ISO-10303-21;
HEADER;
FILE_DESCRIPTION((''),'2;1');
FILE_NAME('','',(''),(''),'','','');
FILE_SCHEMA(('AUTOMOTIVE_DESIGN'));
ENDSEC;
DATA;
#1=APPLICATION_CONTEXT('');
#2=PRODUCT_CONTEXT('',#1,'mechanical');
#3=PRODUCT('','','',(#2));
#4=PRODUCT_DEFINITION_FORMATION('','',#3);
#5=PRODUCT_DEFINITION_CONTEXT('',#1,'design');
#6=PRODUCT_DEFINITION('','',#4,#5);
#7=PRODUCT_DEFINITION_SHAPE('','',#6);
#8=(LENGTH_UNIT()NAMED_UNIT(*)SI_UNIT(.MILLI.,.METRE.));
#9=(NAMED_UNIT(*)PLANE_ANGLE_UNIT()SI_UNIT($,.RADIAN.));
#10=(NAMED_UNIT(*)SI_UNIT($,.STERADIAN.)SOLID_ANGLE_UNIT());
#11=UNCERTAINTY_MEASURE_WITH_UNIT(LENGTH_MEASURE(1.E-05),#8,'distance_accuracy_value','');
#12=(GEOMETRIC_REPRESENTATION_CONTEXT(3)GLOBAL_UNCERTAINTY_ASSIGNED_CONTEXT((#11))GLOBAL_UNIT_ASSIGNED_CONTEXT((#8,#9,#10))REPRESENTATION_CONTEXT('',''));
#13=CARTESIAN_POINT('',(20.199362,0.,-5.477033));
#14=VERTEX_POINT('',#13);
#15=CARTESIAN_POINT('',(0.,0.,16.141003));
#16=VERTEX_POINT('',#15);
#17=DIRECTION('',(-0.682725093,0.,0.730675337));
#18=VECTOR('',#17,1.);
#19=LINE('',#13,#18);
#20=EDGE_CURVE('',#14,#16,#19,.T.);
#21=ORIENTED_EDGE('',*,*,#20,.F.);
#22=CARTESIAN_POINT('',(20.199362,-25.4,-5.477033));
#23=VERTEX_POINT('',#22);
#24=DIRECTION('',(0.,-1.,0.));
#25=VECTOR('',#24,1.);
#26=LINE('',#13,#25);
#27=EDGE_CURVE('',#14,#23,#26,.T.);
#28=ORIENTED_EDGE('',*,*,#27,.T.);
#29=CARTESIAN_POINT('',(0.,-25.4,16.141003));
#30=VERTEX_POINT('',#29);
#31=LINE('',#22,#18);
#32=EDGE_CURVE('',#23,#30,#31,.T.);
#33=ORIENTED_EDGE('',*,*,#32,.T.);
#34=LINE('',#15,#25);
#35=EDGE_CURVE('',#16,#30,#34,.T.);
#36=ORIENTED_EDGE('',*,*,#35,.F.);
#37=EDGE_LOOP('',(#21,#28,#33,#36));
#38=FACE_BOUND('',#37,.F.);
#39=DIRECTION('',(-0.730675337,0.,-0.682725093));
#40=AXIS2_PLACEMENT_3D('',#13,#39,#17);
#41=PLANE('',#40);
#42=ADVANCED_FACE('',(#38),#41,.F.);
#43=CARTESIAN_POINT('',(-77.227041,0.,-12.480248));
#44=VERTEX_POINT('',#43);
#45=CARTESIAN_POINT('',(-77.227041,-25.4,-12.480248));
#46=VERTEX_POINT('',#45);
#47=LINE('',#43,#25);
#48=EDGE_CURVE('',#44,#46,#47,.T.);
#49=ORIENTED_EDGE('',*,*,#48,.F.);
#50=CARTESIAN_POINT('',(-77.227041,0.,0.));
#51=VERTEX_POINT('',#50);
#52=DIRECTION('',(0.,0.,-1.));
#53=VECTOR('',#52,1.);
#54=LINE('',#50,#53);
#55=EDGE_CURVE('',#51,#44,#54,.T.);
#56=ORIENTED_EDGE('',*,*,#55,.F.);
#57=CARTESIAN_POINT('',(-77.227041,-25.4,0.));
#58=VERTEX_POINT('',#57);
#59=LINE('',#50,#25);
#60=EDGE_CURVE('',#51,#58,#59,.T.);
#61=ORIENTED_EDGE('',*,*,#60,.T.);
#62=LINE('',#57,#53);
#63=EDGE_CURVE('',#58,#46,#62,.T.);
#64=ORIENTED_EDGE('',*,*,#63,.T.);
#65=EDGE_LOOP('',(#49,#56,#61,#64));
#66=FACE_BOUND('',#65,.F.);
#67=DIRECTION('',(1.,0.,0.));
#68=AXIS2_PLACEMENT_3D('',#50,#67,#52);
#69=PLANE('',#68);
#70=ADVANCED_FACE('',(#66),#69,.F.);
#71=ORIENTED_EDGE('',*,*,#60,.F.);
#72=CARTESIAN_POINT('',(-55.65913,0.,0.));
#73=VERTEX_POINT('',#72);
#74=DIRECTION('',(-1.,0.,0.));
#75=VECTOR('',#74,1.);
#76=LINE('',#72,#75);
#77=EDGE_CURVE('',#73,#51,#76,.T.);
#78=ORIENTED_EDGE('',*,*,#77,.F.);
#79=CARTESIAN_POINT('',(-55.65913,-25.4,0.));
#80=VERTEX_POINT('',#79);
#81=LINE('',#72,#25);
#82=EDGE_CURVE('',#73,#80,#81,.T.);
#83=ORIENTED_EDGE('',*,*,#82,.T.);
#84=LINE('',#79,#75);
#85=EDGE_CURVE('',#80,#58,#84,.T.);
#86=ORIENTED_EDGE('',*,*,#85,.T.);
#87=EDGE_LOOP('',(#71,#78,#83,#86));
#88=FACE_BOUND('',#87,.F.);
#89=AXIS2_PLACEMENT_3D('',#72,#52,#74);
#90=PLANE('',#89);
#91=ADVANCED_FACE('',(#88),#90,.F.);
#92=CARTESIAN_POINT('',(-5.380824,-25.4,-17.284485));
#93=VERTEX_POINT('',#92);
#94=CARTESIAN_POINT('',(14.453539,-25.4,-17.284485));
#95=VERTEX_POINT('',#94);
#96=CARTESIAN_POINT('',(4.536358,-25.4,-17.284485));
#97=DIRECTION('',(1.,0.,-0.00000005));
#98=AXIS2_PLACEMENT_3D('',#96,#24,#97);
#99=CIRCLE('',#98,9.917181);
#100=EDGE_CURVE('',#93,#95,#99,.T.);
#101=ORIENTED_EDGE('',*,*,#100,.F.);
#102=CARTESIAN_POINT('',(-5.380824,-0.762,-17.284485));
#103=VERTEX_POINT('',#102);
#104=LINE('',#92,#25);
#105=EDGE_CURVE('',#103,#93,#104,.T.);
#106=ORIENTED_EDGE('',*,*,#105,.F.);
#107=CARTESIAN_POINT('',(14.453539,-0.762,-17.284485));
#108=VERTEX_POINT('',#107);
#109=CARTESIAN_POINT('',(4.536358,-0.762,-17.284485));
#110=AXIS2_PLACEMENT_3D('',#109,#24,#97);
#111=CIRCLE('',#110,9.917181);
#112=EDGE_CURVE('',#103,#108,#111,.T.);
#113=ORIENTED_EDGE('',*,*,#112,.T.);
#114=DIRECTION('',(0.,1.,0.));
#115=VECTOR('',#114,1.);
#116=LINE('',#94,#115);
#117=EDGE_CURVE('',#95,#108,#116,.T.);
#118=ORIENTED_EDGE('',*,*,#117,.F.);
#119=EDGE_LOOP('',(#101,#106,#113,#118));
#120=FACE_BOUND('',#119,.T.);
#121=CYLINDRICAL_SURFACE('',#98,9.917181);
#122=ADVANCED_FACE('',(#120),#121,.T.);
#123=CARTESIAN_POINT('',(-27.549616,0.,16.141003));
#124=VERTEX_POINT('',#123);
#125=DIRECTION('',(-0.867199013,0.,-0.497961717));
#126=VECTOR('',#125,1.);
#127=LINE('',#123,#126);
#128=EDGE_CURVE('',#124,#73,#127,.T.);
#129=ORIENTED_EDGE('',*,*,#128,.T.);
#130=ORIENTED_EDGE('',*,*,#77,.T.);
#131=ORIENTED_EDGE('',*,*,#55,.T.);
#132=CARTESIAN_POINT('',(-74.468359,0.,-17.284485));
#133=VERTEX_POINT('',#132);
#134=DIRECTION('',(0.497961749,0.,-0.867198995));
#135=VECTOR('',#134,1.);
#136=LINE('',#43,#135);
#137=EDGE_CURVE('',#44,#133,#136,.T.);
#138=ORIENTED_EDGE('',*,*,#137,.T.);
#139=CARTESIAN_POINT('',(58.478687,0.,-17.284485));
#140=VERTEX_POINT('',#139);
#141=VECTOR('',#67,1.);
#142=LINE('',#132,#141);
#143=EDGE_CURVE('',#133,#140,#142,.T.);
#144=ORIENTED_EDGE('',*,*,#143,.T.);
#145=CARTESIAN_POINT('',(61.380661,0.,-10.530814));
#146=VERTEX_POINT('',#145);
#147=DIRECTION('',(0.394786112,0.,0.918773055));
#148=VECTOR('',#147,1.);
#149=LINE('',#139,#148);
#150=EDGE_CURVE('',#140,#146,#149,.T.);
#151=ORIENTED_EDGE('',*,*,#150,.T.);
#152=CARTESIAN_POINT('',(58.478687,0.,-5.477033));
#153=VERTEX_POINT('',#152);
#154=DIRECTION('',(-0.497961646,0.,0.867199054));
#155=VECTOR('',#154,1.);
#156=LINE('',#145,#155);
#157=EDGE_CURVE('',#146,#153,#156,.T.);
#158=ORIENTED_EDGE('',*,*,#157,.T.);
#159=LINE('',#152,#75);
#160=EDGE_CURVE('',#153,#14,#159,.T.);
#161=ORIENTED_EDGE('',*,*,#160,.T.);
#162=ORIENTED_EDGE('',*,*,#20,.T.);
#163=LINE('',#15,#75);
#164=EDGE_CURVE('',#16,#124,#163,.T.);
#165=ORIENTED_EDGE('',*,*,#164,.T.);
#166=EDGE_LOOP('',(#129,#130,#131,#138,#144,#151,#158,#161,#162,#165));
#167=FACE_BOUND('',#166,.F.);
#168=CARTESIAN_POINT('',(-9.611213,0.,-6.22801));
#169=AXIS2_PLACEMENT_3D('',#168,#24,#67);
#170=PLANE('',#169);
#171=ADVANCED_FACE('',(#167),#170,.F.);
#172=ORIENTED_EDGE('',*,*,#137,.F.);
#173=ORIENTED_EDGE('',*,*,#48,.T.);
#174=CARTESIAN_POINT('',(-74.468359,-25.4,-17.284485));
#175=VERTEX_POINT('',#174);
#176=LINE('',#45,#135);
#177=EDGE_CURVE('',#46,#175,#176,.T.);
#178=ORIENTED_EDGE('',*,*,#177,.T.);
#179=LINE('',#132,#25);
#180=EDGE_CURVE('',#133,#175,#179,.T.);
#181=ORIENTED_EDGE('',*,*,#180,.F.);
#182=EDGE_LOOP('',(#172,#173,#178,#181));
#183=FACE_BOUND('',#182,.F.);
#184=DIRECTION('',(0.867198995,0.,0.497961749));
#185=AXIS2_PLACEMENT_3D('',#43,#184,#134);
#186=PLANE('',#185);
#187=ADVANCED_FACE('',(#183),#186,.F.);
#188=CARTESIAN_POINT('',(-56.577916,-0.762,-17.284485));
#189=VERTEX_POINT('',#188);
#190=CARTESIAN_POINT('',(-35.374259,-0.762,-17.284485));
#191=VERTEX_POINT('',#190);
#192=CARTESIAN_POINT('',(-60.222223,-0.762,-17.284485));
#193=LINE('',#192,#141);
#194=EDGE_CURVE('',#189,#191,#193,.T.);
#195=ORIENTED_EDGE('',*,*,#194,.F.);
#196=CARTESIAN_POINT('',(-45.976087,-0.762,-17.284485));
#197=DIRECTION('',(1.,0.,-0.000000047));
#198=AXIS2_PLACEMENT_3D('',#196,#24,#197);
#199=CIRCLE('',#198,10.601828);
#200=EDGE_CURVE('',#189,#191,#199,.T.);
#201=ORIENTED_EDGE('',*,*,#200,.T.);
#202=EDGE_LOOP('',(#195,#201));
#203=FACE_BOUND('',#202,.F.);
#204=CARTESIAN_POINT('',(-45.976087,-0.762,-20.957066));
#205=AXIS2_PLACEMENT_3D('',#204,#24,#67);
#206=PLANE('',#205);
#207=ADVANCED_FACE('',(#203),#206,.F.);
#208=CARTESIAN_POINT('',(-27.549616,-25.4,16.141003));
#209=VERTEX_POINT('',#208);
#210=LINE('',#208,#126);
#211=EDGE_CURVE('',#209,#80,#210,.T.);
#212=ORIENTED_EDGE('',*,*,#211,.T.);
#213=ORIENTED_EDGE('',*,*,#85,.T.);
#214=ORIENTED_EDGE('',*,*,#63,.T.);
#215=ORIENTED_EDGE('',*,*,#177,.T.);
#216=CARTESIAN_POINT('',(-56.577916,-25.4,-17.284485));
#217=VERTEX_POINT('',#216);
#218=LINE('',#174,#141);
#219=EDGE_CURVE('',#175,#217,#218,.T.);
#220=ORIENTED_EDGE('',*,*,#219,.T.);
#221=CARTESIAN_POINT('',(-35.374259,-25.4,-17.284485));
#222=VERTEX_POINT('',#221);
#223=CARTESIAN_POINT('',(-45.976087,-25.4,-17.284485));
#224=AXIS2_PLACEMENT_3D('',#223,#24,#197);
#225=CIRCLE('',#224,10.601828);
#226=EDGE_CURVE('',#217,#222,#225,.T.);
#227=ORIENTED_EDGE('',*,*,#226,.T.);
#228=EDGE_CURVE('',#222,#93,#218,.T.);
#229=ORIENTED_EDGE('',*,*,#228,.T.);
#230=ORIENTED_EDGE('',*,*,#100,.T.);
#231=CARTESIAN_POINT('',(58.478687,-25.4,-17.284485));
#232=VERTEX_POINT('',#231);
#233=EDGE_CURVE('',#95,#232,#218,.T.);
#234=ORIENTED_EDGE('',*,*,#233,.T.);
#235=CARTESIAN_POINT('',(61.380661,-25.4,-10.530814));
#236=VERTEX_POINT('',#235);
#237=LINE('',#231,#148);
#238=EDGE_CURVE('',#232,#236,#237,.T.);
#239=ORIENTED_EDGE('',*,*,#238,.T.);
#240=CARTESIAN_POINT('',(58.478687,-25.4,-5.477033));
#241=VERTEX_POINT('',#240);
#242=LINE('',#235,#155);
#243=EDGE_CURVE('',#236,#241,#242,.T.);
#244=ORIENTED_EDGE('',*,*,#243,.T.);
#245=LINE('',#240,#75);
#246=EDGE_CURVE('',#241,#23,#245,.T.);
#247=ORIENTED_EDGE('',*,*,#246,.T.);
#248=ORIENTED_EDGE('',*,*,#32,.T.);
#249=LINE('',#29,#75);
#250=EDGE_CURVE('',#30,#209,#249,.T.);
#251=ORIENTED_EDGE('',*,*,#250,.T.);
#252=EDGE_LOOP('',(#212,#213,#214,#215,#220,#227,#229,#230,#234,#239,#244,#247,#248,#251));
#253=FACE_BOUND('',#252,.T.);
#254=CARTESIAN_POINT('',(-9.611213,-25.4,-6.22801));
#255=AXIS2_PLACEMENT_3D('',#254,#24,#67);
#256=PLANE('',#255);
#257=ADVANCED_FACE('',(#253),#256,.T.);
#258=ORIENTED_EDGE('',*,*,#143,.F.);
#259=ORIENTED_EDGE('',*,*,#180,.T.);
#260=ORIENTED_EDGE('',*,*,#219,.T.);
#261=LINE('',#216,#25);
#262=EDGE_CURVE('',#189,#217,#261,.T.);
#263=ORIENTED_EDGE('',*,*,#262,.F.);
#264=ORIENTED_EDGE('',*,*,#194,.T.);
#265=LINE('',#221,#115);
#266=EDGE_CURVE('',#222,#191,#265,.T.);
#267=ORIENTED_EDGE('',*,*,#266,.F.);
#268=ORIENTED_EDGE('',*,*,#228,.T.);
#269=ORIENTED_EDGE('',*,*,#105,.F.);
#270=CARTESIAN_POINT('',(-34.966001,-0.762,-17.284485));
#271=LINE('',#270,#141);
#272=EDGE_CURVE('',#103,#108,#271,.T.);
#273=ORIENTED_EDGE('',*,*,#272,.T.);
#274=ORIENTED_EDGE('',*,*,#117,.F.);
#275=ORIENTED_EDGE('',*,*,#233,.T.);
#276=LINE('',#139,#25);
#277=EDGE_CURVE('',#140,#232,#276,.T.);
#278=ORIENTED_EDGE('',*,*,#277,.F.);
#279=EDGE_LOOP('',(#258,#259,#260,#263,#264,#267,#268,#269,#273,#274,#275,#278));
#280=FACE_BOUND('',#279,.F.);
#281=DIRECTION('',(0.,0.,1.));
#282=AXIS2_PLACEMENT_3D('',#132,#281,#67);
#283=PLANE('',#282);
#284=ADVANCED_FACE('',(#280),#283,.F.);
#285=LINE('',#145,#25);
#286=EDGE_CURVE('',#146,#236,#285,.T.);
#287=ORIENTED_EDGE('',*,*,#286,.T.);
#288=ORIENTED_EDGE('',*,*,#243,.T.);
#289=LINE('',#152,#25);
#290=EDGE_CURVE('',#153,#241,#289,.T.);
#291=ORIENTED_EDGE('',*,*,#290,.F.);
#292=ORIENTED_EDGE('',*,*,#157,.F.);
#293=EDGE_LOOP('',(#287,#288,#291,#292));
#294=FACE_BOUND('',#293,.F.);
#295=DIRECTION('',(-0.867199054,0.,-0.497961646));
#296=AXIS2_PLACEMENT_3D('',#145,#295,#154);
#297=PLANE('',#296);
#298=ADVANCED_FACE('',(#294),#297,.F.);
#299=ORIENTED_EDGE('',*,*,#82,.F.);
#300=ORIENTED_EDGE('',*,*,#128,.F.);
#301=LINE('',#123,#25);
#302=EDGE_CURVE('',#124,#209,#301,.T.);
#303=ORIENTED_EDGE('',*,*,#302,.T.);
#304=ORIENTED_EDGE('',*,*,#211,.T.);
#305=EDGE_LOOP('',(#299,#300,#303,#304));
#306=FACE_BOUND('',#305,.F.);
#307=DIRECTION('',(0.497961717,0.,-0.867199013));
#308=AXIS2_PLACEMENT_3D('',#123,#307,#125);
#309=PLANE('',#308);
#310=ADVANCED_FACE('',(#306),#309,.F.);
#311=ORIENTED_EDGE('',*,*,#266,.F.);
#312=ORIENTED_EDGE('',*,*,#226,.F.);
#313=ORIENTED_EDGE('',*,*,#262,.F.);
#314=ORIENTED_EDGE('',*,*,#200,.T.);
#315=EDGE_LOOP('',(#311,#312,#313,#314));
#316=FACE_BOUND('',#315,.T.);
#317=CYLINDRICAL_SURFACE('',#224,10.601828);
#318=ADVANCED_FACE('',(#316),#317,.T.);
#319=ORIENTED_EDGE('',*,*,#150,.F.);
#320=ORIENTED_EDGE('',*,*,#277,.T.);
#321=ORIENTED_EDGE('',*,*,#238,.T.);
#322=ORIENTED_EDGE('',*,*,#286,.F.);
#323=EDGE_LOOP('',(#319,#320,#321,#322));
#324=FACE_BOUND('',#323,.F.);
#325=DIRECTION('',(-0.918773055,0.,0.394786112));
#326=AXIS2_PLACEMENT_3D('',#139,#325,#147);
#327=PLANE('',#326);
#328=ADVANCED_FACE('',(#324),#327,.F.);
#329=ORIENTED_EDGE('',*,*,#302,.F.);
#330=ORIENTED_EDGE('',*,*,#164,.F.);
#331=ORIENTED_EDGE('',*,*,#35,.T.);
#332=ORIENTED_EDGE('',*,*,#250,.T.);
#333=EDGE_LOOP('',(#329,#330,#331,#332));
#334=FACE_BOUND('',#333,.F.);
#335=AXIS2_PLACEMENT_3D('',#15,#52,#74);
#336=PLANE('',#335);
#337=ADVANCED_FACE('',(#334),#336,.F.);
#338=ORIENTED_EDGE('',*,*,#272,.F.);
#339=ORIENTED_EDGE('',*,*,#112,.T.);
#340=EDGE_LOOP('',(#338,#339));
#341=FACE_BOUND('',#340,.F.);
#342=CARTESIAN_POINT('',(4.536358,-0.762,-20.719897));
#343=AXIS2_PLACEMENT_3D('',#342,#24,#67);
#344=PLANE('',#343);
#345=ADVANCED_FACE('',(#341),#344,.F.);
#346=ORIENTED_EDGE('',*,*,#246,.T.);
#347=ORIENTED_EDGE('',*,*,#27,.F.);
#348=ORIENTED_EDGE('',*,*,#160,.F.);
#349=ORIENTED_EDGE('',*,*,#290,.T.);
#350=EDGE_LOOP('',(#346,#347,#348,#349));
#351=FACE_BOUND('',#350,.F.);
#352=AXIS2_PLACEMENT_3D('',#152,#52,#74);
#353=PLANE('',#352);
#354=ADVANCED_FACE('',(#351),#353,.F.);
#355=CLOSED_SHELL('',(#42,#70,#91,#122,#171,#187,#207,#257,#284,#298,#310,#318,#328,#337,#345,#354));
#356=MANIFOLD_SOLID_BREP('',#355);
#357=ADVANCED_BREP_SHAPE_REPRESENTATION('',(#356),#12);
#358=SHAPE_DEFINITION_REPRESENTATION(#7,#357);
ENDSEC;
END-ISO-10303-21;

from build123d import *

# Parameters (mm, degrees)
F1_DEPTH = 25.4
F3_DEPTH = 24.638


with BuildPart() as f1:
    # F0 (on Front) → F1 (new body)
    with BuildSketch(Plane.XZ):
        Polygon((-55.65913, 0), (-77.227041, 0), (-77.227041, -12.480248), (-74.468359, -17.284485), (58.478687, -17.284485), (61.380661, -10.530814), (58.478687, -5.477033), (20.199362, -5.477033), (0, 16.141003), (-27.549616, 16.141003), align=None)
    extrude(amount=F1_DEPTH)

    # F2 (on face) → F3 (join)
    with BuildSketch(Plane.XZ.offset(25.4)):
        with BuildLine():
            ThreePointArc((-56.577916, -17.284485), (-45.976087, -27.886313), (-35.374259, -17.284485))
            Line((-35.374259, -17.284485), (-56.577916, -17.284485))
        make_face()
        with BuildLine():
            Line((-56.577916, -17.284485), (-35.374259, -17.284485))
            ThreePointArc((-35.374259, -17.284485), (-45.976087, -6.682656), (-56.577916, -17.284485))
        make_face()
        with BuildLine():
            Line((14.453539, -17.284485), (-5.380824, -17.284485))
            ThreePointArc((-5.380824, -17.284485), (4.536357, -27.201666), (14.453539, -17.284485))
        make_face()
        with BuildLine():
            ThreePointArc((14.453539, -17.284485), (4.536357, -7.367303), (-5.380824, -17.284485))
            Line((-5.380824, -17.284485), (14.453539, -17.284485))
        make_face()
    extrude(amount=-F3_DEPTH)


solid = f1.part
